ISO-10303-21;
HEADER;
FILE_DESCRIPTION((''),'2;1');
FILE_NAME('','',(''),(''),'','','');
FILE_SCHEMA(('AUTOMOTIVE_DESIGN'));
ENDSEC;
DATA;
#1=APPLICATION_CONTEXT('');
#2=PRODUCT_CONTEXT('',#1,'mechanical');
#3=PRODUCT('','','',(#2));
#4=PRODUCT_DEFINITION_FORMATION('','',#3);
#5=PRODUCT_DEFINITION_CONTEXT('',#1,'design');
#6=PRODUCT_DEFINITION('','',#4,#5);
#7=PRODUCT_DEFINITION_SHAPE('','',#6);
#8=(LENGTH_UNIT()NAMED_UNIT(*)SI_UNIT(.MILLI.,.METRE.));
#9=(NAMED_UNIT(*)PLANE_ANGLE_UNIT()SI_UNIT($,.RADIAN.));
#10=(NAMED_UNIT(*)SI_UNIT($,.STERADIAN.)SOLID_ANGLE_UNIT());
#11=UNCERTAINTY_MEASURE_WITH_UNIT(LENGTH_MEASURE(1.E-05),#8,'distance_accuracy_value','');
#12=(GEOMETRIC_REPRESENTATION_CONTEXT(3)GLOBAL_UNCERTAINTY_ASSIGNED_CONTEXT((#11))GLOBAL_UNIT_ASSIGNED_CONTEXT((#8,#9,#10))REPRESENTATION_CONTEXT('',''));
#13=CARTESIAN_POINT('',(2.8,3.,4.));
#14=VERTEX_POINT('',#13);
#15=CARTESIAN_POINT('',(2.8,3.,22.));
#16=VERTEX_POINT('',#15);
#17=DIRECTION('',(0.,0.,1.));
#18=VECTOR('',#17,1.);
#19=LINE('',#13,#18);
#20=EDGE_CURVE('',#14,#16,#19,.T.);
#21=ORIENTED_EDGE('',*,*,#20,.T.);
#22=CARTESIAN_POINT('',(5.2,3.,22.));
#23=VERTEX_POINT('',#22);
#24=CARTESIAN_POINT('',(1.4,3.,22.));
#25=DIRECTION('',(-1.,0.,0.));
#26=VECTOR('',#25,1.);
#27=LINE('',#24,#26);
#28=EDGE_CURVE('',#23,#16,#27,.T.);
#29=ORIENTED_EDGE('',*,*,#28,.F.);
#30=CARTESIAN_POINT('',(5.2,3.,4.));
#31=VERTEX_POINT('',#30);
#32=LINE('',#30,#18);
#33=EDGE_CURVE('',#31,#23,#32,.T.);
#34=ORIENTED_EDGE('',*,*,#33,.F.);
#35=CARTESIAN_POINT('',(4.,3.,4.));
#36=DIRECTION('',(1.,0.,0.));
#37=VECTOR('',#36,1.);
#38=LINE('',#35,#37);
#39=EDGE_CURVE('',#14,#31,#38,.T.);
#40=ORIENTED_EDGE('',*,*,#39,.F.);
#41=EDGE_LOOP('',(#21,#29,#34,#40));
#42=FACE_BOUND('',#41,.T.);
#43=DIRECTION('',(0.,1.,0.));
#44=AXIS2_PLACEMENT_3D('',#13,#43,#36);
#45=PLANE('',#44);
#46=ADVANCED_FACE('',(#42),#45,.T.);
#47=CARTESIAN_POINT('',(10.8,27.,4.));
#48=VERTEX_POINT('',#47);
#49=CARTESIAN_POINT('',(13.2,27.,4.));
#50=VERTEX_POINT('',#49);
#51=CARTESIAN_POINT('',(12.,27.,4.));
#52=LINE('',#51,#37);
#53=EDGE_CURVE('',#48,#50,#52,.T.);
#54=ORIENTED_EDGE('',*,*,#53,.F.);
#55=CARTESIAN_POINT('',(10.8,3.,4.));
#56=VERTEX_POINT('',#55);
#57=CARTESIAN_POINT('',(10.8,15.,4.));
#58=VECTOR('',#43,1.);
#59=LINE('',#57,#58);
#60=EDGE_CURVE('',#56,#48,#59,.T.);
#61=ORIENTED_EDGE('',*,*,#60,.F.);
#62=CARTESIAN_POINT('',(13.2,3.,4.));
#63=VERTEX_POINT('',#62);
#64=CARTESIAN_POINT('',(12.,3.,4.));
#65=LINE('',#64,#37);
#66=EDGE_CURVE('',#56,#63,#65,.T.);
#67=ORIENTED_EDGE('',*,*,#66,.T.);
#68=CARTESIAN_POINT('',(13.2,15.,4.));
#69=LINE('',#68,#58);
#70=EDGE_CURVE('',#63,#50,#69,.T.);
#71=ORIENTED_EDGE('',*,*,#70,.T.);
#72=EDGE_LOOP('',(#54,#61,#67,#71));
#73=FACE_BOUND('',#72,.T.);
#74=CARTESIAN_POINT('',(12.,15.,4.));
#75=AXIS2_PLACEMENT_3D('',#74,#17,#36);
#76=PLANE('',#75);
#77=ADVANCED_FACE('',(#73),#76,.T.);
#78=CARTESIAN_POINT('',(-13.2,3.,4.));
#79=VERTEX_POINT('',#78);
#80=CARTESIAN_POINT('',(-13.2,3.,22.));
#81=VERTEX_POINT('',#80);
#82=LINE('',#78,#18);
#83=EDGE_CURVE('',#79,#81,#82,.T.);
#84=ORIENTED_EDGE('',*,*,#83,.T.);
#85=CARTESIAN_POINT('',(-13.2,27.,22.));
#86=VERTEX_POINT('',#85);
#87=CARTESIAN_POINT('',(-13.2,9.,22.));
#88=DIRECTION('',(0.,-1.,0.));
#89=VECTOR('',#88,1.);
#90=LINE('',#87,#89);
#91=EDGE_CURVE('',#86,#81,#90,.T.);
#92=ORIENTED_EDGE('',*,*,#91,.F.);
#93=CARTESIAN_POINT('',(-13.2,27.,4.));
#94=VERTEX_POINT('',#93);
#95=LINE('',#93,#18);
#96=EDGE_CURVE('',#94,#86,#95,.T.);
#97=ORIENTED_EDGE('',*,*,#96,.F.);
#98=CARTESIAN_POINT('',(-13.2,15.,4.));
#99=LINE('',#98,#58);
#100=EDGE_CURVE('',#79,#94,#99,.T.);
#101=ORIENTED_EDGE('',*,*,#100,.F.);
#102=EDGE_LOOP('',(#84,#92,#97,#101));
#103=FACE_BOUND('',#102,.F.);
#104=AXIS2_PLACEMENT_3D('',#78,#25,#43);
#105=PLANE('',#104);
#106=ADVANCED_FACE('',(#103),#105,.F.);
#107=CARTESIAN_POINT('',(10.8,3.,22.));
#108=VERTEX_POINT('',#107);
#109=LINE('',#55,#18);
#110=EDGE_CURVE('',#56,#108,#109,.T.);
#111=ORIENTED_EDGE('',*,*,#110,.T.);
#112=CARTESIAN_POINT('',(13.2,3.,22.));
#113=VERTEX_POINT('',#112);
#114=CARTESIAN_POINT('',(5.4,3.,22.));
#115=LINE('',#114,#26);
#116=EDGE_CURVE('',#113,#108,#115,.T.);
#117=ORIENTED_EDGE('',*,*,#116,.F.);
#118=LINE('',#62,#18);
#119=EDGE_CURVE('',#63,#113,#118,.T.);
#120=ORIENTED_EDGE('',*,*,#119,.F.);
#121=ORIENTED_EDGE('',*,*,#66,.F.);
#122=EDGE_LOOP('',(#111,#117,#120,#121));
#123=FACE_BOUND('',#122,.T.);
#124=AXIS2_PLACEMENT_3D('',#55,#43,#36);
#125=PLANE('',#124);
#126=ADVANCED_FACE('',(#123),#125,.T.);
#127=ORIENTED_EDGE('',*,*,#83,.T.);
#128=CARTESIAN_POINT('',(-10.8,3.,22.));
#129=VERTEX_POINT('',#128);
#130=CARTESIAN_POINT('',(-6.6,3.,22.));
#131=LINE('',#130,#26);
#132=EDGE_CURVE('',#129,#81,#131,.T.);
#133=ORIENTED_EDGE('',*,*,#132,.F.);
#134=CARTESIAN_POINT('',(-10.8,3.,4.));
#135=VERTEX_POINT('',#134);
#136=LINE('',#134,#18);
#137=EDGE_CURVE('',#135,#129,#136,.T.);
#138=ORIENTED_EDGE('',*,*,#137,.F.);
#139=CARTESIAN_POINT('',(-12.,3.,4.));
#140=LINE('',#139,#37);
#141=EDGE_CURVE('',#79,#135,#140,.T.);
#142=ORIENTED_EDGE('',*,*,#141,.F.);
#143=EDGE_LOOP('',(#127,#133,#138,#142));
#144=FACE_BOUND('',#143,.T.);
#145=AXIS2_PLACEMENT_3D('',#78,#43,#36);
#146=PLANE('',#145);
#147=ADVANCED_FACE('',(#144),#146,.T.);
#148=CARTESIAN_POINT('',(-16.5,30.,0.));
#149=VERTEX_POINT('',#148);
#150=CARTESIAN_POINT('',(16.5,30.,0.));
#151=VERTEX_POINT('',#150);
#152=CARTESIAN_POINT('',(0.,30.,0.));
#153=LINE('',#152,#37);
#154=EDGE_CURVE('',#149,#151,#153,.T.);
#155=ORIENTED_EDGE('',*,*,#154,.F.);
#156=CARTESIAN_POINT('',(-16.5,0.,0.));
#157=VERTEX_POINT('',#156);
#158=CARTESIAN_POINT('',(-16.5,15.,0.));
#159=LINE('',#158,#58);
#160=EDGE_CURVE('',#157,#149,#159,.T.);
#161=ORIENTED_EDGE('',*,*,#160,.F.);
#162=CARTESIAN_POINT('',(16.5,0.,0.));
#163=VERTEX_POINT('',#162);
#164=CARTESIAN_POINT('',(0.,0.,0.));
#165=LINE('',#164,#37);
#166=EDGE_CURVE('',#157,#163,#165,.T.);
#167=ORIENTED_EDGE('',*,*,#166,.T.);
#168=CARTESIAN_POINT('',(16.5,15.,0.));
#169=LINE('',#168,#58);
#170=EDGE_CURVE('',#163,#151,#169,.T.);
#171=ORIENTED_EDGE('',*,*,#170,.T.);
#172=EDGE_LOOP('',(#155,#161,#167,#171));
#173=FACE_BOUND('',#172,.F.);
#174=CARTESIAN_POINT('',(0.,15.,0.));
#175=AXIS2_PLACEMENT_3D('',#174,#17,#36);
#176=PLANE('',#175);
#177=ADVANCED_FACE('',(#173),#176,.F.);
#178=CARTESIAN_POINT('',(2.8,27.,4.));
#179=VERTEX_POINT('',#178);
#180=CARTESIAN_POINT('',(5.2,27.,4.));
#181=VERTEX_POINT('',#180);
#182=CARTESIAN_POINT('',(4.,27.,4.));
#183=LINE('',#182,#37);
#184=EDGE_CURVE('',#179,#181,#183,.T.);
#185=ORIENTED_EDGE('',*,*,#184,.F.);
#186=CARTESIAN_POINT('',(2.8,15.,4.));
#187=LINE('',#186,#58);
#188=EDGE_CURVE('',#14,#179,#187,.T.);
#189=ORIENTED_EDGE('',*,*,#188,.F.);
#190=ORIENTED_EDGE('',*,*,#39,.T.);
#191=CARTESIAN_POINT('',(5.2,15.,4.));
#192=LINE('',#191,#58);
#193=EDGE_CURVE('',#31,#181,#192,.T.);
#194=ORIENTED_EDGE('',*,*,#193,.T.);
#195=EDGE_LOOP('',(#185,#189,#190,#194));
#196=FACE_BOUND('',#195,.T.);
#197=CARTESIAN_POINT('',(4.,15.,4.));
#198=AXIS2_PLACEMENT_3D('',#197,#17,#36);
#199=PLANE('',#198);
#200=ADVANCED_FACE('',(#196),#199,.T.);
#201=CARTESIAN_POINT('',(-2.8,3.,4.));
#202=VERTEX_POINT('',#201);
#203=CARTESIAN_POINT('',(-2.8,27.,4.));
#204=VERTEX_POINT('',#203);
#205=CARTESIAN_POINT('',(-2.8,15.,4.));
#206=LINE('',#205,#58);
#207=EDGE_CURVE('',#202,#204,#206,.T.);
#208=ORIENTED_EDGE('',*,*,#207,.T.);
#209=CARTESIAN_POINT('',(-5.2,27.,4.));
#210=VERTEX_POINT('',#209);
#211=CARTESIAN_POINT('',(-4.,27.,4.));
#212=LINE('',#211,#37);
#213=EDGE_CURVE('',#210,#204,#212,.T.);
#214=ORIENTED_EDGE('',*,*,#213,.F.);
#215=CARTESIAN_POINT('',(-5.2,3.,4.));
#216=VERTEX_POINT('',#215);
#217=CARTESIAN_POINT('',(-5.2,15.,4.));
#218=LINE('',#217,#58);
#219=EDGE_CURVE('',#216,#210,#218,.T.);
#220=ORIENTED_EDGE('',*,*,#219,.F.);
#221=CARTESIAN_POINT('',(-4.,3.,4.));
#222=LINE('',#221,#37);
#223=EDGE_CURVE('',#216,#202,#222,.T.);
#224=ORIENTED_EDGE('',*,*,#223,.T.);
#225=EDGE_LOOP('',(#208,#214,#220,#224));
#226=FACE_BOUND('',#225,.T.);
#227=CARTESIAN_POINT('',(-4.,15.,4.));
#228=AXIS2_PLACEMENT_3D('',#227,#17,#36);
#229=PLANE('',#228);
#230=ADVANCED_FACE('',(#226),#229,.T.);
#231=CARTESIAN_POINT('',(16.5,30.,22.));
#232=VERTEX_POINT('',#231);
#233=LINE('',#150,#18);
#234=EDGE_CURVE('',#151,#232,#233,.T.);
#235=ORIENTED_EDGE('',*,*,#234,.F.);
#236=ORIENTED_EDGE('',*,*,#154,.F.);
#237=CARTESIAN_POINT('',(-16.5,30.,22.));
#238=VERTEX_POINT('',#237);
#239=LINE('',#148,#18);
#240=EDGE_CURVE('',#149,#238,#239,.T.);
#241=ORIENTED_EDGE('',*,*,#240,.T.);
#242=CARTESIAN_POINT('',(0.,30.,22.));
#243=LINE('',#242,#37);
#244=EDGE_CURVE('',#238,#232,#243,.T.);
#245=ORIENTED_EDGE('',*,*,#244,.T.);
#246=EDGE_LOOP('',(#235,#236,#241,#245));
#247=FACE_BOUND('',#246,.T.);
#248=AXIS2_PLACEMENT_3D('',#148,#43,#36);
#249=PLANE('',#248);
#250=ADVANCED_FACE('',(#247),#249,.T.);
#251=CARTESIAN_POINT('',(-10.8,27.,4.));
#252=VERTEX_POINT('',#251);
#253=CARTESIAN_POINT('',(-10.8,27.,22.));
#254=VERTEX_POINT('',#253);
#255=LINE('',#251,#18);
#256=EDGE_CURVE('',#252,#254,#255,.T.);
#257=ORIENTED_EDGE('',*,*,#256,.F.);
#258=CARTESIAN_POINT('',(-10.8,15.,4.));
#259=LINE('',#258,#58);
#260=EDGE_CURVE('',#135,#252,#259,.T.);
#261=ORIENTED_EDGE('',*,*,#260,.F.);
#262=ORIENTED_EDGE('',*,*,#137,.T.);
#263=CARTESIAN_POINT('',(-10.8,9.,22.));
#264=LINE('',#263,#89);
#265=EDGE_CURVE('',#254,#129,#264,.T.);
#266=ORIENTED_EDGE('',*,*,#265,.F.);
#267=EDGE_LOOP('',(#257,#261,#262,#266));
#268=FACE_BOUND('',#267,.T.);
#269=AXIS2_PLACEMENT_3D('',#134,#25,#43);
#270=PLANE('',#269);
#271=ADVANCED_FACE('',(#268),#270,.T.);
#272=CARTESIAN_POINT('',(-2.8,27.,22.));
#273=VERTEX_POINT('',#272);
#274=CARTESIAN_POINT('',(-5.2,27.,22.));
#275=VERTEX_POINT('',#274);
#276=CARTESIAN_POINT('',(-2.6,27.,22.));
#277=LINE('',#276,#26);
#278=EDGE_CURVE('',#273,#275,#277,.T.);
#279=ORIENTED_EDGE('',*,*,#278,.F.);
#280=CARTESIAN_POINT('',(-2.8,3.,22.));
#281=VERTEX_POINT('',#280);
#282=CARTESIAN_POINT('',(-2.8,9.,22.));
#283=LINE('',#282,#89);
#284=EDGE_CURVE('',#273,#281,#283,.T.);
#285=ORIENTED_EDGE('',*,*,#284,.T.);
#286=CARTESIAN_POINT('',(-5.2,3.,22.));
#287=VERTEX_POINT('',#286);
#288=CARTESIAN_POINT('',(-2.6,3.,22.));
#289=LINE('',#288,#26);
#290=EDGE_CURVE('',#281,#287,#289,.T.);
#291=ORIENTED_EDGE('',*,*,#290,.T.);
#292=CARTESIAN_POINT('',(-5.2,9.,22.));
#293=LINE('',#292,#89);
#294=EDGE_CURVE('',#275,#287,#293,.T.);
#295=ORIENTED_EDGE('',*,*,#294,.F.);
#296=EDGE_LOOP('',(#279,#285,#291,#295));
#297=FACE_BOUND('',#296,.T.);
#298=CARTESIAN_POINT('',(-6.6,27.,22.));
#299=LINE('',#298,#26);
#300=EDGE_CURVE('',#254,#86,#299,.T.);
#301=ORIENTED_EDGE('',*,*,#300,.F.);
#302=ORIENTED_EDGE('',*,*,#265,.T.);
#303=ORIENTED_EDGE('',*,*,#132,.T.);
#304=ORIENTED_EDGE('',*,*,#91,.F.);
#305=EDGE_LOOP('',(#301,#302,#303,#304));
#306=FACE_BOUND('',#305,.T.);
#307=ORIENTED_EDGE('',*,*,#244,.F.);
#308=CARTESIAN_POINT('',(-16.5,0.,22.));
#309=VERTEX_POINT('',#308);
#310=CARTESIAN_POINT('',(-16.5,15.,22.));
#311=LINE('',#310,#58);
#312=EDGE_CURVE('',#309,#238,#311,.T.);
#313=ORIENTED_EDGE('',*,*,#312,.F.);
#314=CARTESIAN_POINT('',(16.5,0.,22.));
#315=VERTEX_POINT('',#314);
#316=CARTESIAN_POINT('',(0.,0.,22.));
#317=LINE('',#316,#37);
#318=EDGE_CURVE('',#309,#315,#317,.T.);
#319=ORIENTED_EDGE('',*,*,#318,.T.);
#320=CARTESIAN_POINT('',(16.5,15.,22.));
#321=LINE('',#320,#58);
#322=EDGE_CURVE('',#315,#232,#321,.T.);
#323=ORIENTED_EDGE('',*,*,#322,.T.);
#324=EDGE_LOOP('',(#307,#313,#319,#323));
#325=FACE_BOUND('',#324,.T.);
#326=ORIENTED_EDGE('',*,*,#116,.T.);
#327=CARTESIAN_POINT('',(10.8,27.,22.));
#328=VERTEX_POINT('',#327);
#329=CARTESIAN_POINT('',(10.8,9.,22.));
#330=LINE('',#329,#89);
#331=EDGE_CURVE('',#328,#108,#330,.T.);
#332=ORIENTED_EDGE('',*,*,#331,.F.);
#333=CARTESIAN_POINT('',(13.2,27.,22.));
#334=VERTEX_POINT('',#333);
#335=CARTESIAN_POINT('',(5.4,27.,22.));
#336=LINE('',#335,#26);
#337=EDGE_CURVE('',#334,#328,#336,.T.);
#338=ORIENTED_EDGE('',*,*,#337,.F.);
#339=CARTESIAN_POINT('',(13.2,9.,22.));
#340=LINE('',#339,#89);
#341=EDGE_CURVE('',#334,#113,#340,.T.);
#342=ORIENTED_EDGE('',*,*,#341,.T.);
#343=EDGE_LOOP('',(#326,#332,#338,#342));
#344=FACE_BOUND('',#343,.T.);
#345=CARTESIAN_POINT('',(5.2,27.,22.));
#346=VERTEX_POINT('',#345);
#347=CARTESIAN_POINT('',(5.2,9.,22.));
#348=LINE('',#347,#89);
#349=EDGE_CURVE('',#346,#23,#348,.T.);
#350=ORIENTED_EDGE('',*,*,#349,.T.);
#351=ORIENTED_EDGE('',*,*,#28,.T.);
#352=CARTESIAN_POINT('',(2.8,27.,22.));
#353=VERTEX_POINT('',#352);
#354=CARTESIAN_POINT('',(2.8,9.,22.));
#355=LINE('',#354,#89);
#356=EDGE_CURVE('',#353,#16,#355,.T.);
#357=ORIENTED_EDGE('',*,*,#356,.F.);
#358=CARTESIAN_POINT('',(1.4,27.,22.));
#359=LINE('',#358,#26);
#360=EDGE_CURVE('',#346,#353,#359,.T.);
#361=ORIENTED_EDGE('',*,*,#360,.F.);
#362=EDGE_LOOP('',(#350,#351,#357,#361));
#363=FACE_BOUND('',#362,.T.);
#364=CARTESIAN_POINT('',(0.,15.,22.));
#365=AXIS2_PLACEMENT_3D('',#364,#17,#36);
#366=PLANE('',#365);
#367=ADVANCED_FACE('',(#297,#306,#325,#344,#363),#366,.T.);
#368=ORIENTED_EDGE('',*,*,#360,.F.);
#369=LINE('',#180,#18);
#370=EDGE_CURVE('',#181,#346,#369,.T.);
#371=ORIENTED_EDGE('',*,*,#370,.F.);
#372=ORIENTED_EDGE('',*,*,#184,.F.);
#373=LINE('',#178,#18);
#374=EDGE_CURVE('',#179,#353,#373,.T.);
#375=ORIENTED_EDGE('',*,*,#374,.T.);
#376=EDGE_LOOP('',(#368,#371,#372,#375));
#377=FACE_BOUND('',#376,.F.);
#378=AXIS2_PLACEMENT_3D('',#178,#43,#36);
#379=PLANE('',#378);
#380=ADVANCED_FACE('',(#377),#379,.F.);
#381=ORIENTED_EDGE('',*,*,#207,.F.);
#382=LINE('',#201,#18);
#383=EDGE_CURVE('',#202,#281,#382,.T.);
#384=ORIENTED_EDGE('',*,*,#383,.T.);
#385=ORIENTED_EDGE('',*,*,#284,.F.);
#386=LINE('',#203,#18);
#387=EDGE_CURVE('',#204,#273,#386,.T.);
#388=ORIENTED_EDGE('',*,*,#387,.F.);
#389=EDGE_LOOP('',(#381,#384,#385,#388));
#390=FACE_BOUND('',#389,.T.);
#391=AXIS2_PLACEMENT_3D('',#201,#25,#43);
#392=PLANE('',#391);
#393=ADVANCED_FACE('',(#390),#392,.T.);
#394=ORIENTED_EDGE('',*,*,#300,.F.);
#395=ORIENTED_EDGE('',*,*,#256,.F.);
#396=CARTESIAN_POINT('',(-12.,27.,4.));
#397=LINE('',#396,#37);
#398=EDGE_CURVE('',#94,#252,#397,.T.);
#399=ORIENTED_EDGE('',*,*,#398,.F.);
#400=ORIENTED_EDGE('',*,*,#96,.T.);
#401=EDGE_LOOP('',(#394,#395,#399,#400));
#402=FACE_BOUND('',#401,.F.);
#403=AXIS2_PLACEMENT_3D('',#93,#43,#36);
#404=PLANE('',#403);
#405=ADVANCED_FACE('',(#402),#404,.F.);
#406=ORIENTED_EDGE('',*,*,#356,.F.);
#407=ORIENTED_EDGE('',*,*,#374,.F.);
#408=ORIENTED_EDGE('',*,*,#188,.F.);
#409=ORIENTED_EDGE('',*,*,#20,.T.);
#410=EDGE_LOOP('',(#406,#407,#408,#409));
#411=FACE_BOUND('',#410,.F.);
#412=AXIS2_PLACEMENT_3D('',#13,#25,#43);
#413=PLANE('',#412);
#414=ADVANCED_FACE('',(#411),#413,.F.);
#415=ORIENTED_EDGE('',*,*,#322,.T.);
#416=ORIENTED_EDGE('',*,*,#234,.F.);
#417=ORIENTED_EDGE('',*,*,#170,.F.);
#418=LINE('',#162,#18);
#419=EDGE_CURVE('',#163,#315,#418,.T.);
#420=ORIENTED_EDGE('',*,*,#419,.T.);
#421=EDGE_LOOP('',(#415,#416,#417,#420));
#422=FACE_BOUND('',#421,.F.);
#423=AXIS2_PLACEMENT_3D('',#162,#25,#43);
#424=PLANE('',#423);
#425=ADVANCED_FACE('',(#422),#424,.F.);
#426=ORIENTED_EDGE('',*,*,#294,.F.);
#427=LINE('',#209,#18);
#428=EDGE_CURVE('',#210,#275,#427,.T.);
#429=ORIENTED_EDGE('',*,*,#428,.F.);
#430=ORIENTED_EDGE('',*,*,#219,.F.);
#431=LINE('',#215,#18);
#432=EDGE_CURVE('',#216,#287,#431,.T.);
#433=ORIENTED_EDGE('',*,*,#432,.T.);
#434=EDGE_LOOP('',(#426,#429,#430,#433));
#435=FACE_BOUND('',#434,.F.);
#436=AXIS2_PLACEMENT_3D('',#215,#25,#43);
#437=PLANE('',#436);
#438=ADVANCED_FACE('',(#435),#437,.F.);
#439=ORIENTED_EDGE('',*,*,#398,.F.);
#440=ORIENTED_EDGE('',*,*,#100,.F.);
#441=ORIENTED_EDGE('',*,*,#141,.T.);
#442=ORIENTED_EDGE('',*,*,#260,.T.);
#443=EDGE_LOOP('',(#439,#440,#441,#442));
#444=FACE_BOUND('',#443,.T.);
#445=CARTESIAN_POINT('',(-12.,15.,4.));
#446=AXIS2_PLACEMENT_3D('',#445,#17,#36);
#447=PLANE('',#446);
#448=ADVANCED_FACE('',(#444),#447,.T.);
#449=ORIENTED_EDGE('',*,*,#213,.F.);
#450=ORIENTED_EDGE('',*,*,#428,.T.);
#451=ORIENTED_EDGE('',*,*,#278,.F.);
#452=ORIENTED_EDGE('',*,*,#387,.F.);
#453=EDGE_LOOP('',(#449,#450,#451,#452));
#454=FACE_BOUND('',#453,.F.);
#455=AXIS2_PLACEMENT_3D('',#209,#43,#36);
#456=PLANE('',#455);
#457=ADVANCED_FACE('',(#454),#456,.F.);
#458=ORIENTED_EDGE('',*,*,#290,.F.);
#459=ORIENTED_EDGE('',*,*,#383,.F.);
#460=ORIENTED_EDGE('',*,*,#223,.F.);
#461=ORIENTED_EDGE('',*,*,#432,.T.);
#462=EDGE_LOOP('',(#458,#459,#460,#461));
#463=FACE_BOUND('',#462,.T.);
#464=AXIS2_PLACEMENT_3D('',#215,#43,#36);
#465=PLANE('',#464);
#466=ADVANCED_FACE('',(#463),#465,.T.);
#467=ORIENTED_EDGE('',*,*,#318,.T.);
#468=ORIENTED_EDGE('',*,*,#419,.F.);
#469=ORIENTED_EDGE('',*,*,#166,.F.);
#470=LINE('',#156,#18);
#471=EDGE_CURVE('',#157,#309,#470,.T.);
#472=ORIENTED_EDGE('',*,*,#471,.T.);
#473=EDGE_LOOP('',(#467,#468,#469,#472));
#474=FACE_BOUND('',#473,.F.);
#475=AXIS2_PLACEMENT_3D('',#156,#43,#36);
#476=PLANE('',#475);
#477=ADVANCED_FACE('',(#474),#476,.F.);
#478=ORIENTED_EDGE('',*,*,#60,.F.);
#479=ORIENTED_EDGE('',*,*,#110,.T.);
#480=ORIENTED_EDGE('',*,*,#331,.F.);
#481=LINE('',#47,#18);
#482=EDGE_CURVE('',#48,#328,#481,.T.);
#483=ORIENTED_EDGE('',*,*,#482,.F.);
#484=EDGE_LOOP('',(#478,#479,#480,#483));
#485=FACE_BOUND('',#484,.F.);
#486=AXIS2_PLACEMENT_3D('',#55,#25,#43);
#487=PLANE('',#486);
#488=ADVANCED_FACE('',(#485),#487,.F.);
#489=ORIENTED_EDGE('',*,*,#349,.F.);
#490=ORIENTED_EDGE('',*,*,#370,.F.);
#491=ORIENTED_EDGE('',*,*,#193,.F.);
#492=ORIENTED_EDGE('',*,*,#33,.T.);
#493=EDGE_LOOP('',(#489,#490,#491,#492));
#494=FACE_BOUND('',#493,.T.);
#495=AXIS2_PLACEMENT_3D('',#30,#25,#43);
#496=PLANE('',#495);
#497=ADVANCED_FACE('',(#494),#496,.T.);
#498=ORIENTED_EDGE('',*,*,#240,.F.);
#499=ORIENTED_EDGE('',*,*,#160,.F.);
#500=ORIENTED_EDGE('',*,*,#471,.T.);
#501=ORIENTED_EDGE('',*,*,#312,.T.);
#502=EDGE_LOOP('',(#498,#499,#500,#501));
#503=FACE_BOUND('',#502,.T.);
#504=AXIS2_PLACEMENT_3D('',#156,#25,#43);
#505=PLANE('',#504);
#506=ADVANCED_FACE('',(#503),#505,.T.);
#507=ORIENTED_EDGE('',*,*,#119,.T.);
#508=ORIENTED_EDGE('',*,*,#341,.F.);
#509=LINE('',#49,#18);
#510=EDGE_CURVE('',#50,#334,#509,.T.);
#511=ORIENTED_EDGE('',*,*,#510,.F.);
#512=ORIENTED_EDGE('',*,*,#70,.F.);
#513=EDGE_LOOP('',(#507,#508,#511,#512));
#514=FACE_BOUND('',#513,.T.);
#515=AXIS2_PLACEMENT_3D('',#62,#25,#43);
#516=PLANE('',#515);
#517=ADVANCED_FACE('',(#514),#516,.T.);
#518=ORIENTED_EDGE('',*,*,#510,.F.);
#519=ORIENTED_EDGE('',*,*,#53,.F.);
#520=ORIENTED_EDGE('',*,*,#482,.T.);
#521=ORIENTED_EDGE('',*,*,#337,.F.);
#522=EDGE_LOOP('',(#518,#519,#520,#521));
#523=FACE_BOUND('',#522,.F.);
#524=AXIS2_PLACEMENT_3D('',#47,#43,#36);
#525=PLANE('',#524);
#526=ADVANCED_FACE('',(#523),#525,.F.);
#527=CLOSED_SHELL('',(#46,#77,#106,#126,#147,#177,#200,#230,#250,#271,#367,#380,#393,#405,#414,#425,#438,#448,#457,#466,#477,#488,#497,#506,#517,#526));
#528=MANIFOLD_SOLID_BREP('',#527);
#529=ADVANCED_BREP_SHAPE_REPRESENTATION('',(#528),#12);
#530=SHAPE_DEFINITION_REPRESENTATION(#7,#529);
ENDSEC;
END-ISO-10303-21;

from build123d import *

# Parameters (mm, degrees)
BOX002_W     = 2.4
BOX002_H     = 24
BOX002_DEPTH = 20
BOX003_W     = 2.4
BOX003_H     = 24
BOX003_DEPTH = 20
BOX004_W     = 2.4
BOX004_H     = 24
BOX004_DEPTH = 20
BOX001_W     = 2.4
BOX001_H     = 24
BOX001_DEPTH = 20
BOX_W        = 33
BOX_H        = 30
BOX_DEPTH    = 22


with BuildPart() as box002:
    # Box002 → Box002 (new body)
    with BuildSketch(Plane(origin=(8, -28, 0), x_dir=(1, 0, 0), z_dir=(0, 0, 1))):
        with Locations((1.2, 12)):
            Rectangle(BOX002_W, BOX002_H)
    extrude(amount=BOX002_DEPTH)


with BuildPart() as box003:
    # Box003 → Box003 (new body)
    with BuildSketch(Plane(origin=(16, -28, 0), x_dir=(1, 0, 0), z_dir=(0, 0, 1))):
        with Locations((1.2, 12)):
            Rectangle(BOX003_W, BOX003_H)
    extrude(amount=BOX003_DEPTH)


with BuildPart() as box004:
    # Box004 → Box004 (new body)
    with BuildSketch(Plane(origin=(24, -28, 0), x_dir=(1, 0, 0), z_dir=(0, 0, 1))):
        with Locations((1.2, 12)):
            Rectangle(BOX004_W, BOX004_H)
    extrude(amount=BOX004_DEPTH)


with BuildPart() as fusion:
    # Box001 → Box001 (new body)
    with BuildSketch(Plane(origin=(0, -28, 0), x_dir=(1, 0, 0), z_dir=(0, 0, 1))):
        with Locations((1.2, 12)):
            Rectangle(BOX001_W, BOX001_H)
    extrude(amount=BOX001_DEPTH)

    # Fusion: union Box002, Box003, Box004
    add(box002.part)
    add(box003.part)
    add(box004.part)


with BuildPart() as fusion_1:
    # Fusion placement: moved
    add(fusion.part.moved(Location((-13.2, 31, 4))))


with BuildPart() as cut:
    # Box → Box (new body)
    with BuildSketch(Plane(origin=(-16.5, 0, 0), x_dir=(1, 0, 0), z_dir=(0, 0, 1))):
        with Locations((16.5, 15)):
            Rectangle(BOX_W, BOX_H)
    extrude(amount=BOX_DEPTH)

    # Cut: cut Fusion
    add(fusion_1.part, mode=Mode.SUBTRACT)


solid = cut.part
